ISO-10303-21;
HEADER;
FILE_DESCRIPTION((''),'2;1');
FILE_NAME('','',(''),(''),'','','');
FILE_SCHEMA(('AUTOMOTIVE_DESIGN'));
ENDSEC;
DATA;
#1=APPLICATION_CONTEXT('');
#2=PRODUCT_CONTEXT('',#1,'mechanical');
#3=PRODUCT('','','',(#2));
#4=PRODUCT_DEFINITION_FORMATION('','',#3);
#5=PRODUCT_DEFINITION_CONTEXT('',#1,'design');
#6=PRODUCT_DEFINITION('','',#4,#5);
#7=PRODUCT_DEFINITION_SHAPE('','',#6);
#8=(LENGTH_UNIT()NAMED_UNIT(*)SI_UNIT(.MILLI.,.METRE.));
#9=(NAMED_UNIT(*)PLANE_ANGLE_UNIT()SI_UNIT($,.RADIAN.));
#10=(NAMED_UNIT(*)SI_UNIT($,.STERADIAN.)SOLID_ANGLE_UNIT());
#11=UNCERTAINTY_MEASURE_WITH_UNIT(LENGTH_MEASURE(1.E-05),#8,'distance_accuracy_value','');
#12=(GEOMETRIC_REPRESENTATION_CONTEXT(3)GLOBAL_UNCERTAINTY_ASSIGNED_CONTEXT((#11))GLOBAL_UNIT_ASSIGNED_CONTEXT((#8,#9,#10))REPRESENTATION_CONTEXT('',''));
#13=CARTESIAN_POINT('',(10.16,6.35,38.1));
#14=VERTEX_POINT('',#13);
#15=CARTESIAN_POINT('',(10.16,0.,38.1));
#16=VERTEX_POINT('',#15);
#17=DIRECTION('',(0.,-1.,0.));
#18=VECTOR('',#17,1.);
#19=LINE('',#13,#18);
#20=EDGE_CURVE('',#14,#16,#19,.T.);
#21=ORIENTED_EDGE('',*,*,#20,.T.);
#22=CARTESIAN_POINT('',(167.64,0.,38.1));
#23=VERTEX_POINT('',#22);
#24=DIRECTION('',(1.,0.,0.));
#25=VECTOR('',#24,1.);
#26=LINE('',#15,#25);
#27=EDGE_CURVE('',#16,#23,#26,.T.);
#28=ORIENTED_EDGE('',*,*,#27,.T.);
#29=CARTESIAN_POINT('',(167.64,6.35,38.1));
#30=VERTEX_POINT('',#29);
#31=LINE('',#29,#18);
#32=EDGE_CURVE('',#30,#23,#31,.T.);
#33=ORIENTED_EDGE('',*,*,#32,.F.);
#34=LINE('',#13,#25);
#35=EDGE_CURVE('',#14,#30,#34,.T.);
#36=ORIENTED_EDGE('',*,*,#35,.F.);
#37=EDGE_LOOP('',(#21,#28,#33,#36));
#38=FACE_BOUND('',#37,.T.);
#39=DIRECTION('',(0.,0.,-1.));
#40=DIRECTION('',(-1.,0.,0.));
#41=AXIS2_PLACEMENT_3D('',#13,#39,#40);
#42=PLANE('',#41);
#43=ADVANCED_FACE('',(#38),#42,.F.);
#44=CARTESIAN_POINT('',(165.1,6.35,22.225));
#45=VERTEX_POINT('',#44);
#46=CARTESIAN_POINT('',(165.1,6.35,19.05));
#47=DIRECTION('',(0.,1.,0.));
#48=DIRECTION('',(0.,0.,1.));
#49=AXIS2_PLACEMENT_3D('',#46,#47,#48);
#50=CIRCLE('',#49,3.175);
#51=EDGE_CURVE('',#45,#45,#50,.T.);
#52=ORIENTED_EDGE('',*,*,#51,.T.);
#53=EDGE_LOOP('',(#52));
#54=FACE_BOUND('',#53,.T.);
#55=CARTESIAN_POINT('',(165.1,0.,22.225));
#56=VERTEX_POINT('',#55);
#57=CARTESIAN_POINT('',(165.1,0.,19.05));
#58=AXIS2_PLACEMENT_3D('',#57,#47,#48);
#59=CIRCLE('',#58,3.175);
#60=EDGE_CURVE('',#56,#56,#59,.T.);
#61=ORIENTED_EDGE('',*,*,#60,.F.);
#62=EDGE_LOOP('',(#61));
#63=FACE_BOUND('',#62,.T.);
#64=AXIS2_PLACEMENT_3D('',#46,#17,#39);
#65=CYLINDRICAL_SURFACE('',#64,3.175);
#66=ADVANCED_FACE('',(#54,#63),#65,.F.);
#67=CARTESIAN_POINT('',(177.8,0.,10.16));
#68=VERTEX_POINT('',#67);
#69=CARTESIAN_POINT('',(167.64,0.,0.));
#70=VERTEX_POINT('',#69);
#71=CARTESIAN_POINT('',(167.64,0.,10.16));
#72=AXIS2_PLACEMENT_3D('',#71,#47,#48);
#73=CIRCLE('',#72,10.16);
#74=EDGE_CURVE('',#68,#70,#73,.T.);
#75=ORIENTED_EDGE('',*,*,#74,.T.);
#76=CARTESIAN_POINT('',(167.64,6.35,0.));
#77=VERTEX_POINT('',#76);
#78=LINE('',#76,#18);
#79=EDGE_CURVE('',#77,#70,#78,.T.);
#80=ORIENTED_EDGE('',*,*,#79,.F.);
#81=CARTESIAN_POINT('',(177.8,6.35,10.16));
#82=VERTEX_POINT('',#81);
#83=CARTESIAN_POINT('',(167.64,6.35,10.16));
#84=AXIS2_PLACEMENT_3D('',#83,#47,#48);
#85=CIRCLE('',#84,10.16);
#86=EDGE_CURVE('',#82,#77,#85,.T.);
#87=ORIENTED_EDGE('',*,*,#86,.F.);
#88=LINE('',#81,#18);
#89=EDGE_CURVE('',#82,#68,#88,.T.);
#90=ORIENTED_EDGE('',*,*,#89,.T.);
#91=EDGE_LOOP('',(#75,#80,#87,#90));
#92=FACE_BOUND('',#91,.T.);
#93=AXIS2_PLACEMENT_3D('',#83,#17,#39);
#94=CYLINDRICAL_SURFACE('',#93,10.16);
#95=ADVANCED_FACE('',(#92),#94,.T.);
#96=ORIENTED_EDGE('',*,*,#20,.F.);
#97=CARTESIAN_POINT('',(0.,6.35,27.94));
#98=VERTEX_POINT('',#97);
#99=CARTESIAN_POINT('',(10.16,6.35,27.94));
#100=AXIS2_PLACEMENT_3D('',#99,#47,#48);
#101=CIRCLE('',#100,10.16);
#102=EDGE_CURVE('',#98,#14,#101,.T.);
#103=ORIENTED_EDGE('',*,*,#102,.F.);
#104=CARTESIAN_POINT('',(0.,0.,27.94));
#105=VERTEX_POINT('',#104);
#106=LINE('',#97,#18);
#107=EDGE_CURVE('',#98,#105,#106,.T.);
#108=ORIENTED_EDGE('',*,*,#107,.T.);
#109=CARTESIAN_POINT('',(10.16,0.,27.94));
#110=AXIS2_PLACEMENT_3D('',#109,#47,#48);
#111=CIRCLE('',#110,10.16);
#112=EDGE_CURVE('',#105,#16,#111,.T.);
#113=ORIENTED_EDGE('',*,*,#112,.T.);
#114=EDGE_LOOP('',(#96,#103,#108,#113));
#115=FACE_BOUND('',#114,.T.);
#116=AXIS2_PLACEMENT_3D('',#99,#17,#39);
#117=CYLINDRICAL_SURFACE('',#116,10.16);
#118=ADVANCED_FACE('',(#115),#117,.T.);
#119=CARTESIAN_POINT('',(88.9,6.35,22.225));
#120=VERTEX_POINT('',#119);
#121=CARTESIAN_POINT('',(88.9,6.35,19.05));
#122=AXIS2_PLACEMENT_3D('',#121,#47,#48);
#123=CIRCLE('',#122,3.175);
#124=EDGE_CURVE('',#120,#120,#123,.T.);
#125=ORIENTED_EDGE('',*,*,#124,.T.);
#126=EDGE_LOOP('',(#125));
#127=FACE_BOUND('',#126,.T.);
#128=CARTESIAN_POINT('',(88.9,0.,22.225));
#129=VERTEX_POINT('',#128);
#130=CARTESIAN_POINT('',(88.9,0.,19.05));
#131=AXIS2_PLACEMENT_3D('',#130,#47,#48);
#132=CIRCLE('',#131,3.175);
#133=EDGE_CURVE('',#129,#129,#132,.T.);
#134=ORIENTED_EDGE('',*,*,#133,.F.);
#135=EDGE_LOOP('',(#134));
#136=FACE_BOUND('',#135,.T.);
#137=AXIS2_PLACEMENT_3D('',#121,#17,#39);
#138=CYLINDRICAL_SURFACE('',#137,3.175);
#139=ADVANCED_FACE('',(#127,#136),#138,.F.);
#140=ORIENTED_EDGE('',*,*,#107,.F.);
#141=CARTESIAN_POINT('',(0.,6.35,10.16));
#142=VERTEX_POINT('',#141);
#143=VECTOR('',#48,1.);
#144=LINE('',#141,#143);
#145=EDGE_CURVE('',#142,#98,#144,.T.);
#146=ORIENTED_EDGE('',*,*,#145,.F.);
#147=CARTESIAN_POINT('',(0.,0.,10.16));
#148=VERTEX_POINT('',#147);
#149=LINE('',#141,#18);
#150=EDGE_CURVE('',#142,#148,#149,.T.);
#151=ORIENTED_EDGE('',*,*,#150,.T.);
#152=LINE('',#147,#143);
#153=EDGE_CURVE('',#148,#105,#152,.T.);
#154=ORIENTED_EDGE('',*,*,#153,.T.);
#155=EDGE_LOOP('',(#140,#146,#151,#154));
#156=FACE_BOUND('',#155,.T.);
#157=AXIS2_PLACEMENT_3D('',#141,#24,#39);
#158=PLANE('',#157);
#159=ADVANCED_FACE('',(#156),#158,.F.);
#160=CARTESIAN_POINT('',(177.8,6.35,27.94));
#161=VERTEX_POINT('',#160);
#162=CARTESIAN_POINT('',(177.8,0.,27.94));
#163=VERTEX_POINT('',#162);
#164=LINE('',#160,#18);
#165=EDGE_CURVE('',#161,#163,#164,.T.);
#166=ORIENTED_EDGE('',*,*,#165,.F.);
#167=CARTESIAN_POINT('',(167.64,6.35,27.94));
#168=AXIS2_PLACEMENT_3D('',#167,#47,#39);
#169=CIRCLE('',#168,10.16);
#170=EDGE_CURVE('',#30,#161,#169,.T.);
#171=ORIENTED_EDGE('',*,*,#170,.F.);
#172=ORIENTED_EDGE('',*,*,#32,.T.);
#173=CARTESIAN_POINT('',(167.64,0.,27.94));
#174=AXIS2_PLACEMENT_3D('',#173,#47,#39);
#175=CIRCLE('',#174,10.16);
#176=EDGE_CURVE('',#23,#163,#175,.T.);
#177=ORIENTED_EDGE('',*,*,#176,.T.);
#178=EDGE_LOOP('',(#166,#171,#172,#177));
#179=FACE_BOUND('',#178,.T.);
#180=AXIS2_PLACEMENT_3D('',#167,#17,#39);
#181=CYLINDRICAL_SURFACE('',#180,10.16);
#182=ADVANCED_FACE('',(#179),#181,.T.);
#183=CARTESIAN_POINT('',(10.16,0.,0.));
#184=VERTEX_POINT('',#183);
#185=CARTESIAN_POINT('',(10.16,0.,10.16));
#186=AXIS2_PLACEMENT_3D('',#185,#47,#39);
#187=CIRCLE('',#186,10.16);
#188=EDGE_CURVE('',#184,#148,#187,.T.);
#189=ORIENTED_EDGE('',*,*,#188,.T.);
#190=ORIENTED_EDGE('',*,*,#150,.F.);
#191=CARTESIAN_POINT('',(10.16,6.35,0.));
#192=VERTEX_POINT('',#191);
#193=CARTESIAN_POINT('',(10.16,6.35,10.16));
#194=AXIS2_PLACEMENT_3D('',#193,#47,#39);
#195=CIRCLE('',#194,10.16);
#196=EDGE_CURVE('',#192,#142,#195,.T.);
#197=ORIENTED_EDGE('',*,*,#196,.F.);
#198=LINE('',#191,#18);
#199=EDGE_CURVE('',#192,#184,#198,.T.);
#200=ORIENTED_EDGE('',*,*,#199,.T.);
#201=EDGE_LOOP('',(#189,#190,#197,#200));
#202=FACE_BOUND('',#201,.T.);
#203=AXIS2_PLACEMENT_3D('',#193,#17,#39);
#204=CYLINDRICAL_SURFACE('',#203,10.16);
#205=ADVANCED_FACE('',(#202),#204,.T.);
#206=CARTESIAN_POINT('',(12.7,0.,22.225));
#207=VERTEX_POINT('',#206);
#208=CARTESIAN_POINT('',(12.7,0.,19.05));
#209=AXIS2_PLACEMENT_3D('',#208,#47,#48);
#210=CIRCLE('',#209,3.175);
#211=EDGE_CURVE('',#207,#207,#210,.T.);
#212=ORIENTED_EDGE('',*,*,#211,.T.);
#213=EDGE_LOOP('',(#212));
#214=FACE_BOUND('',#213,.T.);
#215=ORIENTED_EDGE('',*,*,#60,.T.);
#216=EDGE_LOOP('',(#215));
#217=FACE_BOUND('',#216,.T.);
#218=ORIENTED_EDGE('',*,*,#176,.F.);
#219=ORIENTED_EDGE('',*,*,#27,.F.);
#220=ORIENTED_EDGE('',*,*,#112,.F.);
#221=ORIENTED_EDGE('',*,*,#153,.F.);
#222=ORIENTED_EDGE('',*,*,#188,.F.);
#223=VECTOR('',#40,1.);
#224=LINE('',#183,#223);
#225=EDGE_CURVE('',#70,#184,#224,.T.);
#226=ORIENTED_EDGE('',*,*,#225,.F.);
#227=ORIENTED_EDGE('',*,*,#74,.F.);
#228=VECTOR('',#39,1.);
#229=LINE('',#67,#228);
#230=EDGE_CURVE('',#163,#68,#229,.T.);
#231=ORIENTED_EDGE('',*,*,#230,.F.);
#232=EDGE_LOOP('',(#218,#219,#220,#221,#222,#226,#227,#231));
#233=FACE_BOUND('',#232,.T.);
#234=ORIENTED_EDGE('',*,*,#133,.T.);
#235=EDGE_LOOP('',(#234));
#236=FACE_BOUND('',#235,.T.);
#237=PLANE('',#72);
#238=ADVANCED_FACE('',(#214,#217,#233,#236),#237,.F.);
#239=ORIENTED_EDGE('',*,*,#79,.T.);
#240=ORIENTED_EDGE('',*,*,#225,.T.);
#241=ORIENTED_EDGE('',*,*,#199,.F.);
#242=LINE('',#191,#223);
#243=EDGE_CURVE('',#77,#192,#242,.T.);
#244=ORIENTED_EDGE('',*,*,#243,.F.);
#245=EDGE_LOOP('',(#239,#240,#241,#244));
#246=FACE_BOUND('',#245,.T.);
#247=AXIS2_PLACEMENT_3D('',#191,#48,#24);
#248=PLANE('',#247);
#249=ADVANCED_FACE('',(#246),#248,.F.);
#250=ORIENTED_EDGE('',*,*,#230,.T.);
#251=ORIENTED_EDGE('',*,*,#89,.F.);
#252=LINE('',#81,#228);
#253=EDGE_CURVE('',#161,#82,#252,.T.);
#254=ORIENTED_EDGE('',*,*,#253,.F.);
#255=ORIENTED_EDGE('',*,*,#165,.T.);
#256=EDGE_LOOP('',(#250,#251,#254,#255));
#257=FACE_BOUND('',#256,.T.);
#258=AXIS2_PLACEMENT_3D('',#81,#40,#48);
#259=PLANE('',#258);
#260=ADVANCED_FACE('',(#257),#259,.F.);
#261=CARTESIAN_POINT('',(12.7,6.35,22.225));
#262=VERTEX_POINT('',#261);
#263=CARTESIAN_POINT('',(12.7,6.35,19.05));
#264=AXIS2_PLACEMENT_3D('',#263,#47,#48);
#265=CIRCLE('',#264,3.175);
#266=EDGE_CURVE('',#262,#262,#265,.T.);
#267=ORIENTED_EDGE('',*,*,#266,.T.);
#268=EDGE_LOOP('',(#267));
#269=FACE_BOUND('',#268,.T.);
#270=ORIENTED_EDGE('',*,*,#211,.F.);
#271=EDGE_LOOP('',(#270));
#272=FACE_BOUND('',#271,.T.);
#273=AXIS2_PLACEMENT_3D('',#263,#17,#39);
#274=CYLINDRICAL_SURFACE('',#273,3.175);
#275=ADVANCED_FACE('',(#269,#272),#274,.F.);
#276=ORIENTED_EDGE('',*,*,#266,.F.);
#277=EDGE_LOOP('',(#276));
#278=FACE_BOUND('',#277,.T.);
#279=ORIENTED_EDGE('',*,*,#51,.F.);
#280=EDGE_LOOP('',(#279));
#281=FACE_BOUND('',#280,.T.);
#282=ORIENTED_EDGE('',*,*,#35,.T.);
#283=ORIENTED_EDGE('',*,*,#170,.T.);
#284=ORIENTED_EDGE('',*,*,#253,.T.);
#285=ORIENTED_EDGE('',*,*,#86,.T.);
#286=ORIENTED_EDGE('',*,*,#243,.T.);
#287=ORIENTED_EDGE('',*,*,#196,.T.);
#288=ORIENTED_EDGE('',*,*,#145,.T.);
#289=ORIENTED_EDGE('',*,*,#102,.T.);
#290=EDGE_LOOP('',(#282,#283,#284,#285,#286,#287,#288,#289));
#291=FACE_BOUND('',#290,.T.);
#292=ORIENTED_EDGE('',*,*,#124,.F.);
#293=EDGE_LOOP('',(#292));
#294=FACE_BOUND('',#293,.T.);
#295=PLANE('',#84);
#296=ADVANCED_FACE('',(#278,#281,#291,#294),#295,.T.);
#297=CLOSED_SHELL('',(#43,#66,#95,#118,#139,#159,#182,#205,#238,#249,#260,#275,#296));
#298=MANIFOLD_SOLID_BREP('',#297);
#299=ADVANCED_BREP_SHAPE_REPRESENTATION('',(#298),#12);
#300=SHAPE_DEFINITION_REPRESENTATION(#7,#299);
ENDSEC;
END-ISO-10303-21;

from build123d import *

# Parameters (mm, degrees)
SKETCH1_R           = 3.175
BOSS_EXTRUDE1_DEPTH = 6.35


with BuildPart() as part:
    # Sketch1 → Boss-Extrude1 (new body)
    with BuildSketch(Plane(origin=(0, 0, 0), x_dir=(1, 0, 0), z_dir=(0, 1, 0))):
        with BuildLine():
            Line((10.16, 0), (167.64, 0))
            ThreePointArc((167.64, 0), (174.824204897, -2.975795103), (177.8, -10.16))
            Line((177.8, -10.16), (177.8, -27.94))
            ThreePointArc((177.8, -27.94), (174.824204897, -35.124204897), (167.64, -38.1))
            Line((167.64, -38.1), (10.16, -38.1))
            ThreePointArc((10.16, -38.1), (2.975795103, -35.124204897), (0, -27.94))
            Line((0, -27.94), (0, -10.16))
            ThreePointArc((0, -10.16), (2.975795103, -2.975795103), (10.16, 0))
        make_face()
        with Locations(Location((12.7, -19.05, 0), (0, 0, 270))):
            Circle(SKETCH1_R, mode=Mode.SUBTRACT)
        with Locations(Location((88.9, -19.05, 0), (0, 0, 270))):
            Circle(SKETCH1_R, mode=Mode.SUBTRACT)
        with Locations(Location((165.1, -19.05, 0), (0, 0, 270))):
            Circle(SKETCH1_R, mode=Mode.SUBTRACT)
    extrude(amount=BOSS_EXTRUDE1_DEPTH)


solid = part.part
